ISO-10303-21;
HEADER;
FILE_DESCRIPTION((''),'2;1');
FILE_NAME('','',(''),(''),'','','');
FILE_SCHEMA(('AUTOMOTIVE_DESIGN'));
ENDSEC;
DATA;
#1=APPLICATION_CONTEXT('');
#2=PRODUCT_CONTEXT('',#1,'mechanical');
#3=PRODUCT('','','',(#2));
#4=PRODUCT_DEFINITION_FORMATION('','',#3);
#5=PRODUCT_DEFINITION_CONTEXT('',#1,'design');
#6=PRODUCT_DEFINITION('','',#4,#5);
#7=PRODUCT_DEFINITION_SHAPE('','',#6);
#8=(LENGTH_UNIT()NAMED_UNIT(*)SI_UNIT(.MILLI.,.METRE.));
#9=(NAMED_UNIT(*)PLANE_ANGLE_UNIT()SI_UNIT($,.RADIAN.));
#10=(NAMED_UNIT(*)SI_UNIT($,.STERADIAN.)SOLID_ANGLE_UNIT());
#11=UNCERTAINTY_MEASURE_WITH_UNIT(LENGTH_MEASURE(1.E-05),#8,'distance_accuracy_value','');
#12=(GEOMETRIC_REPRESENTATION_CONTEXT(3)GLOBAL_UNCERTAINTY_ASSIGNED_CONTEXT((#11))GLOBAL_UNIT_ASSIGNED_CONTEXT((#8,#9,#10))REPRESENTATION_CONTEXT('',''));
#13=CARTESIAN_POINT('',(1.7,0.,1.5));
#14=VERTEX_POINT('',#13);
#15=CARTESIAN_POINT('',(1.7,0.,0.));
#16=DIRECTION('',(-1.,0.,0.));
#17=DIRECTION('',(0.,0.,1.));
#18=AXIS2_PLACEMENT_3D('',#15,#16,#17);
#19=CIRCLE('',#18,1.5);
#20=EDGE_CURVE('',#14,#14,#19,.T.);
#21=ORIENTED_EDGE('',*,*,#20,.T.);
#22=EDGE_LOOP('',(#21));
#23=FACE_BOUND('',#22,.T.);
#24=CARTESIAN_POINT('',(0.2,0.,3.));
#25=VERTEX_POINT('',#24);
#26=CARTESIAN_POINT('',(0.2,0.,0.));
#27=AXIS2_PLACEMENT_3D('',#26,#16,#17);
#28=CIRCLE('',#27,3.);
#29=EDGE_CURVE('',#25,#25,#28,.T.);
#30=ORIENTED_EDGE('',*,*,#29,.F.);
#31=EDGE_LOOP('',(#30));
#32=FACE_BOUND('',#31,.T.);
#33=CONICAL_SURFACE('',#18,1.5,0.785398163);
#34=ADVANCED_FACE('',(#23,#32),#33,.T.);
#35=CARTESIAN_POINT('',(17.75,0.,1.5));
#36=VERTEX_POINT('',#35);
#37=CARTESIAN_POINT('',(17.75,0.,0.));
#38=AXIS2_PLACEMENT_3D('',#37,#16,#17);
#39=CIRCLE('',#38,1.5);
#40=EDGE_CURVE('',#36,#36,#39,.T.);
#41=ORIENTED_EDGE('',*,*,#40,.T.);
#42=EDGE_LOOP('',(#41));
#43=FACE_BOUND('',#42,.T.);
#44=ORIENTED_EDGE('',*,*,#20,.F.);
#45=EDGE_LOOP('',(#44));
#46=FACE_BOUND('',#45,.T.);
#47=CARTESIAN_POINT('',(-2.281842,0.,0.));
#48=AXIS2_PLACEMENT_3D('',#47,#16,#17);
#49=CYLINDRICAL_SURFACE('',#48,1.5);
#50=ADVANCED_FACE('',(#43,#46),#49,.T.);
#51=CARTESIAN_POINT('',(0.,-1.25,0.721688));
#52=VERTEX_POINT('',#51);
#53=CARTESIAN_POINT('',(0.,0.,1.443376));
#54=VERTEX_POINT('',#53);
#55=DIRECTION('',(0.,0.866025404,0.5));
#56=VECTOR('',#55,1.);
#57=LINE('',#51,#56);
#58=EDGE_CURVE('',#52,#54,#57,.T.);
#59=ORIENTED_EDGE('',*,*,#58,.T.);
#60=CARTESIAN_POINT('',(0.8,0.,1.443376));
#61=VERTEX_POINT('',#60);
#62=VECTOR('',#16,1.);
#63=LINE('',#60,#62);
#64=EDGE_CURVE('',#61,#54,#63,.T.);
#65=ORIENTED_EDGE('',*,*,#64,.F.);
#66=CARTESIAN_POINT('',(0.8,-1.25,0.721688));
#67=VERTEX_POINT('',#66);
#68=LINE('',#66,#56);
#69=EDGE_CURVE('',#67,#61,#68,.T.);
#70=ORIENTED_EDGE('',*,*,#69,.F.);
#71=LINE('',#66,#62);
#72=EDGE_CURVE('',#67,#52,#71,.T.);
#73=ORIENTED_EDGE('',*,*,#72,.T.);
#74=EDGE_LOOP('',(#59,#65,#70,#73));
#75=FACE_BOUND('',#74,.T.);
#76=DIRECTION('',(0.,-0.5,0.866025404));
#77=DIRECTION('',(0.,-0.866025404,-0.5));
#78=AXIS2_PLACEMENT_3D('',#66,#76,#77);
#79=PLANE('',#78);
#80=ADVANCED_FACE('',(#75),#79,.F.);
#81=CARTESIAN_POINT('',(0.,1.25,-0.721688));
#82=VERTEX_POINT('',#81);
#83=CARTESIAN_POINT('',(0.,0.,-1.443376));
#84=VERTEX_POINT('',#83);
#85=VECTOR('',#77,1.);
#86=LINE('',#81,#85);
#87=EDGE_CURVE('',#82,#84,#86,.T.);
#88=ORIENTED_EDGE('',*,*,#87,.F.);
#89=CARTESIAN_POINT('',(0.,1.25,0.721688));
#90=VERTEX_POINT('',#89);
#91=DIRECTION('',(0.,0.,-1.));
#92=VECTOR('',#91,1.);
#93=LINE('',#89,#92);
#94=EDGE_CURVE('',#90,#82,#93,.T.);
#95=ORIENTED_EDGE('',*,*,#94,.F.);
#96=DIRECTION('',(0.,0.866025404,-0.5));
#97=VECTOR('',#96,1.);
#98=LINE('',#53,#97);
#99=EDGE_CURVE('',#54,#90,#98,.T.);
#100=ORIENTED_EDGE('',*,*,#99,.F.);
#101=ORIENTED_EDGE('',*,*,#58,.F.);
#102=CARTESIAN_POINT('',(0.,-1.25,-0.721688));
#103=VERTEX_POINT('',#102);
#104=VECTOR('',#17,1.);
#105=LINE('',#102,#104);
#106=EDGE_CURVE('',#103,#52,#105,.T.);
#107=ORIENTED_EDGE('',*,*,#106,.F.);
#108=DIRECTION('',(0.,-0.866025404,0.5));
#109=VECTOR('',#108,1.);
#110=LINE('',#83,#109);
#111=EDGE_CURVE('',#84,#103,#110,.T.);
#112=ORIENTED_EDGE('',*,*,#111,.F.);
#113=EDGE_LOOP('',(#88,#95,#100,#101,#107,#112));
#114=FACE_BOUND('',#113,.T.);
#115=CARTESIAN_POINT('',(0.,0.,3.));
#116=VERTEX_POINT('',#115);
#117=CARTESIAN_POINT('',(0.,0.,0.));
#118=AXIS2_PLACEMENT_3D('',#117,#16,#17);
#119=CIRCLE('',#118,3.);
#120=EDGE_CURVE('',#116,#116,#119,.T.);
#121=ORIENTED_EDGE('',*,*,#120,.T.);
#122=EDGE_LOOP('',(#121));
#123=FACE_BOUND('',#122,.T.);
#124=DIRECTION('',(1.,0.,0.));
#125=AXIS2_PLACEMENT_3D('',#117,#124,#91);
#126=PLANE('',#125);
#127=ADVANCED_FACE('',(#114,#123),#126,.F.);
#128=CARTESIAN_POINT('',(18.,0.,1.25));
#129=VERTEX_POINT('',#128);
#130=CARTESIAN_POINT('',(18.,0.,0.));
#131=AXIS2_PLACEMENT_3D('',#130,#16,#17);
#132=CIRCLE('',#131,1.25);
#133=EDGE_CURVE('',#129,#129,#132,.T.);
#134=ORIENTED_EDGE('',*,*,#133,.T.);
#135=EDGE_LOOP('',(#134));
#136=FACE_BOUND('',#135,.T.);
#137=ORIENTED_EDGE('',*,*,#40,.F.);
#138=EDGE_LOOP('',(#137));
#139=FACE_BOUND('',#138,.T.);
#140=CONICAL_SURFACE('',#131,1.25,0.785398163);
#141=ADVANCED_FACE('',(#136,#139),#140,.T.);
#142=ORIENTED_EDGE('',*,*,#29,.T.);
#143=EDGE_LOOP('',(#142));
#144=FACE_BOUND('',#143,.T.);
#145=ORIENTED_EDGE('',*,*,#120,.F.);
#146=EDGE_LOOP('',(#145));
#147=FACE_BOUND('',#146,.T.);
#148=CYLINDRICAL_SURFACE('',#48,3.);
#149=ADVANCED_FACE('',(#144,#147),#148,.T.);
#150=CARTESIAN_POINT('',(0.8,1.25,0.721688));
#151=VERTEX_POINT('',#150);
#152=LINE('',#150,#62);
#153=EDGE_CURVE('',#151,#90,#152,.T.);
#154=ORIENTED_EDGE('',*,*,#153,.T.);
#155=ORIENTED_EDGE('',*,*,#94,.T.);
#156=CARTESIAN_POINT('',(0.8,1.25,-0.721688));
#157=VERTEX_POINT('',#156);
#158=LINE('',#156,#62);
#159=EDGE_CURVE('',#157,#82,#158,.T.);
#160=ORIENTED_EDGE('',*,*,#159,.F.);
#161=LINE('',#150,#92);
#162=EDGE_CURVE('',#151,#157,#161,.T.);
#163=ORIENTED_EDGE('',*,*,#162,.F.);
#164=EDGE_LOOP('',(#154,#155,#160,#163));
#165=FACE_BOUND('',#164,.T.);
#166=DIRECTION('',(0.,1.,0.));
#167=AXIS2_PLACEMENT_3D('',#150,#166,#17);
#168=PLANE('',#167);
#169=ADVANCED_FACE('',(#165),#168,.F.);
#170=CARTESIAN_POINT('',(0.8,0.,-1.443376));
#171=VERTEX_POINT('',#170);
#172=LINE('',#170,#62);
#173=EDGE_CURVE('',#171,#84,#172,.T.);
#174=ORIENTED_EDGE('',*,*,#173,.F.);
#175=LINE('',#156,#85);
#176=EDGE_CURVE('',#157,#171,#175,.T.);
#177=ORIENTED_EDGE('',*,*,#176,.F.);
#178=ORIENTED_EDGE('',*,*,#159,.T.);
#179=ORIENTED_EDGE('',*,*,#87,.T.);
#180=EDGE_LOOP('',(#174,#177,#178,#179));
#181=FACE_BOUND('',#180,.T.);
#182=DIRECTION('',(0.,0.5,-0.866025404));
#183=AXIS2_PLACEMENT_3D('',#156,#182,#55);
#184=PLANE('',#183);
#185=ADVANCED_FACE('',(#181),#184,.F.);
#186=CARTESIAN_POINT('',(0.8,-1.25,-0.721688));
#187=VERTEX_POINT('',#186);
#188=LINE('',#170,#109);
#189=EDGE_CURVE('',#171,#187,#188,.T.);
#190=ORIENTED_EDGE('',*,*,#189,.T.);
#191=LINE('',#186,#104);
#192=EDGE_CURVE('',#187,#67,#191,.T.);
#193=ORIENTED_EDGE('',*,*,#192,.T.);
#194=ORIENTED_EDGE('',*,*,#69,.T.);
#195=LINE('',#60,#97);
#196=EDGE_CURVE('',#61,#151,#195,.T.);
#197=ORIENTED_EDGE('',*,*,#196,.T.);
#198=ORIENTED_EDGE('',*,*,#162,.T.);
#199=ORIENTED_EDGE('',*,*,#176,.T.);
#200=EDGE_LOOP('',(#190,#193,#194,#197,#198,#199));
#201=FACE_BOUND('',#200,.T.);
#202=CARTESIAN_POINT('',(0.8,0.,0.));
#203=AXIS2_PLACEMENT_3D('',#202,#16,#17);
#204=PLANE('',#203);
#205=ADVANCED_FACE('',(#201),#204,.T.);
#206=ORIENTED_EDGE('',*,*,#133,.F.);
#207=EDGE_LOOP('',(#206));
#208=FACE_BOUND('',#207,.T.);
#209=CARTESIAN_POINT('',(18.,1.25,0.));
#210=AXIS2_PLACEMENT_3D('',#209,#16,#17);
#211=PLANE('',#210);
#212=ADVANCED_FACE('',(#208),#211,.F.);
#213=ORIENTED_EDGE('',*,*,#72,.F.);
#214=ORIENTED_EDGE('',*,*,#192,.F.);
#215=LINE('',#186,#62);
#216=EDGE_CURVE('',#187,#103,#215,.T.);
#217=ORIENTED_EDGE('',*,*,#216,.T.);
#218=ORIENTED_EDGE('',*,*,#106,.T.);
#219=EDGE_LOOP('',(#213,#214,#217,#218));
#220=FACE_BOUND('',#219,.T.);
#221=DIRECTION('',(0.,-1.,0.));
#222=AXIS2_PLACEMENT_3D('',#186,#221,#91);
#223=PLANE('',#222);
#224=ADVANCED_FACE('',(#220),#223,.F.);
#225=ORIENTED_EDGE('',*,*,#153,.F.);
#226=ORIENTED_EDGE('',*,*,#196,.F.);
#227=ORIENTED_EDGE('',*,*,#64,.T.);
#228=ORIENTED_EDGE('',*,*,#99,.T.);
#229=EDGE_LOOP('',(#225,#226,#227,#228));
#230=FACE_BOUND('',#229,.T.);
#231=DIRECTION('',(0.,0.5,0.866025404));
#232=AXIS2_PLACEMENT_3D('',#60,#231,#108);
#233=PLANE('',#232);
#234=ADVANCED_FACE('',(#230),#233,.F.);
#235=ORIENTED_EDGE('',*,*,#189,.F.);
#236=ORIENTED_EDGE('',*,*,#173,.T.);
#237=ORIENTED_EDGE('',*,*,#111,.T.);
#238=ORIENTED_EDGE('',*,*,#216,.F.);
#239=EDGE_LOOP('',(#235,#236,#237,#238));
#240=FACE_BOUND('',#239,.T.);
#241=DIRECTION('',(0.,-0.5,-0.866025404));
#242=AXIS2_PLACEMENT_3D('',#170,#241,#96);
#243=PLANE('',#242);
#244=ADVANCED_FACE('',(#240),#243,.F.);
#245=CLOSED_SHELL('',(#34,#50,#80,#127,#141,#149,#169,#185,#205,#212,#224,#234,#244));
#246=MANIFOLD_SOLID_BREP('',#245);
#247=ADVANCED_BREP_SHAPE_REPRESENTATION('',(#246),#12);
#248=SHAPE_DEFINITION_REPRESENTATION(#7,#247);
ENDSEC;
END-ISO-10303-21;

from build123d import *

# Parameters (mm, degrees)
CUT_EXTRUDE1_DEPTH = 0.8


with BuildPart() as part:
    # Sketch2 → Revolve1 (revolve)
    with BuildSketch(Plane.XY, mode=Mode.PRIVATE) as revolve1_sk:
        Polygon((0, 0), (0, 3), (0.2, 3), (1.7, 1.5), (17.75, 1.5), (18, 1.25), (18, 0), align=None)
    revolve(revolve1_sk.sketch.rotate(Axis((-2.281841559, 0, 0), (1, 0, 0)), 90), axis=Axis((-2.281841559, 0, 0), (1, 0, 0)))

    # Sketch3 → Cut-Extrude1 (cut)
    with BuildSketch(Plane.ZY):
        Polygon((0.721687836, -1.25), (1.443375673, 0), (0.721687836, 1.25), (-0.721687836, 1.25), (-1.443375673, 0), (-0.721687836, -1.25), align=None)
    extrude(amount=-CUT_EXTRUDE1_DEPTH, mode=Mode.SUBTRACT)


solid = part.part
